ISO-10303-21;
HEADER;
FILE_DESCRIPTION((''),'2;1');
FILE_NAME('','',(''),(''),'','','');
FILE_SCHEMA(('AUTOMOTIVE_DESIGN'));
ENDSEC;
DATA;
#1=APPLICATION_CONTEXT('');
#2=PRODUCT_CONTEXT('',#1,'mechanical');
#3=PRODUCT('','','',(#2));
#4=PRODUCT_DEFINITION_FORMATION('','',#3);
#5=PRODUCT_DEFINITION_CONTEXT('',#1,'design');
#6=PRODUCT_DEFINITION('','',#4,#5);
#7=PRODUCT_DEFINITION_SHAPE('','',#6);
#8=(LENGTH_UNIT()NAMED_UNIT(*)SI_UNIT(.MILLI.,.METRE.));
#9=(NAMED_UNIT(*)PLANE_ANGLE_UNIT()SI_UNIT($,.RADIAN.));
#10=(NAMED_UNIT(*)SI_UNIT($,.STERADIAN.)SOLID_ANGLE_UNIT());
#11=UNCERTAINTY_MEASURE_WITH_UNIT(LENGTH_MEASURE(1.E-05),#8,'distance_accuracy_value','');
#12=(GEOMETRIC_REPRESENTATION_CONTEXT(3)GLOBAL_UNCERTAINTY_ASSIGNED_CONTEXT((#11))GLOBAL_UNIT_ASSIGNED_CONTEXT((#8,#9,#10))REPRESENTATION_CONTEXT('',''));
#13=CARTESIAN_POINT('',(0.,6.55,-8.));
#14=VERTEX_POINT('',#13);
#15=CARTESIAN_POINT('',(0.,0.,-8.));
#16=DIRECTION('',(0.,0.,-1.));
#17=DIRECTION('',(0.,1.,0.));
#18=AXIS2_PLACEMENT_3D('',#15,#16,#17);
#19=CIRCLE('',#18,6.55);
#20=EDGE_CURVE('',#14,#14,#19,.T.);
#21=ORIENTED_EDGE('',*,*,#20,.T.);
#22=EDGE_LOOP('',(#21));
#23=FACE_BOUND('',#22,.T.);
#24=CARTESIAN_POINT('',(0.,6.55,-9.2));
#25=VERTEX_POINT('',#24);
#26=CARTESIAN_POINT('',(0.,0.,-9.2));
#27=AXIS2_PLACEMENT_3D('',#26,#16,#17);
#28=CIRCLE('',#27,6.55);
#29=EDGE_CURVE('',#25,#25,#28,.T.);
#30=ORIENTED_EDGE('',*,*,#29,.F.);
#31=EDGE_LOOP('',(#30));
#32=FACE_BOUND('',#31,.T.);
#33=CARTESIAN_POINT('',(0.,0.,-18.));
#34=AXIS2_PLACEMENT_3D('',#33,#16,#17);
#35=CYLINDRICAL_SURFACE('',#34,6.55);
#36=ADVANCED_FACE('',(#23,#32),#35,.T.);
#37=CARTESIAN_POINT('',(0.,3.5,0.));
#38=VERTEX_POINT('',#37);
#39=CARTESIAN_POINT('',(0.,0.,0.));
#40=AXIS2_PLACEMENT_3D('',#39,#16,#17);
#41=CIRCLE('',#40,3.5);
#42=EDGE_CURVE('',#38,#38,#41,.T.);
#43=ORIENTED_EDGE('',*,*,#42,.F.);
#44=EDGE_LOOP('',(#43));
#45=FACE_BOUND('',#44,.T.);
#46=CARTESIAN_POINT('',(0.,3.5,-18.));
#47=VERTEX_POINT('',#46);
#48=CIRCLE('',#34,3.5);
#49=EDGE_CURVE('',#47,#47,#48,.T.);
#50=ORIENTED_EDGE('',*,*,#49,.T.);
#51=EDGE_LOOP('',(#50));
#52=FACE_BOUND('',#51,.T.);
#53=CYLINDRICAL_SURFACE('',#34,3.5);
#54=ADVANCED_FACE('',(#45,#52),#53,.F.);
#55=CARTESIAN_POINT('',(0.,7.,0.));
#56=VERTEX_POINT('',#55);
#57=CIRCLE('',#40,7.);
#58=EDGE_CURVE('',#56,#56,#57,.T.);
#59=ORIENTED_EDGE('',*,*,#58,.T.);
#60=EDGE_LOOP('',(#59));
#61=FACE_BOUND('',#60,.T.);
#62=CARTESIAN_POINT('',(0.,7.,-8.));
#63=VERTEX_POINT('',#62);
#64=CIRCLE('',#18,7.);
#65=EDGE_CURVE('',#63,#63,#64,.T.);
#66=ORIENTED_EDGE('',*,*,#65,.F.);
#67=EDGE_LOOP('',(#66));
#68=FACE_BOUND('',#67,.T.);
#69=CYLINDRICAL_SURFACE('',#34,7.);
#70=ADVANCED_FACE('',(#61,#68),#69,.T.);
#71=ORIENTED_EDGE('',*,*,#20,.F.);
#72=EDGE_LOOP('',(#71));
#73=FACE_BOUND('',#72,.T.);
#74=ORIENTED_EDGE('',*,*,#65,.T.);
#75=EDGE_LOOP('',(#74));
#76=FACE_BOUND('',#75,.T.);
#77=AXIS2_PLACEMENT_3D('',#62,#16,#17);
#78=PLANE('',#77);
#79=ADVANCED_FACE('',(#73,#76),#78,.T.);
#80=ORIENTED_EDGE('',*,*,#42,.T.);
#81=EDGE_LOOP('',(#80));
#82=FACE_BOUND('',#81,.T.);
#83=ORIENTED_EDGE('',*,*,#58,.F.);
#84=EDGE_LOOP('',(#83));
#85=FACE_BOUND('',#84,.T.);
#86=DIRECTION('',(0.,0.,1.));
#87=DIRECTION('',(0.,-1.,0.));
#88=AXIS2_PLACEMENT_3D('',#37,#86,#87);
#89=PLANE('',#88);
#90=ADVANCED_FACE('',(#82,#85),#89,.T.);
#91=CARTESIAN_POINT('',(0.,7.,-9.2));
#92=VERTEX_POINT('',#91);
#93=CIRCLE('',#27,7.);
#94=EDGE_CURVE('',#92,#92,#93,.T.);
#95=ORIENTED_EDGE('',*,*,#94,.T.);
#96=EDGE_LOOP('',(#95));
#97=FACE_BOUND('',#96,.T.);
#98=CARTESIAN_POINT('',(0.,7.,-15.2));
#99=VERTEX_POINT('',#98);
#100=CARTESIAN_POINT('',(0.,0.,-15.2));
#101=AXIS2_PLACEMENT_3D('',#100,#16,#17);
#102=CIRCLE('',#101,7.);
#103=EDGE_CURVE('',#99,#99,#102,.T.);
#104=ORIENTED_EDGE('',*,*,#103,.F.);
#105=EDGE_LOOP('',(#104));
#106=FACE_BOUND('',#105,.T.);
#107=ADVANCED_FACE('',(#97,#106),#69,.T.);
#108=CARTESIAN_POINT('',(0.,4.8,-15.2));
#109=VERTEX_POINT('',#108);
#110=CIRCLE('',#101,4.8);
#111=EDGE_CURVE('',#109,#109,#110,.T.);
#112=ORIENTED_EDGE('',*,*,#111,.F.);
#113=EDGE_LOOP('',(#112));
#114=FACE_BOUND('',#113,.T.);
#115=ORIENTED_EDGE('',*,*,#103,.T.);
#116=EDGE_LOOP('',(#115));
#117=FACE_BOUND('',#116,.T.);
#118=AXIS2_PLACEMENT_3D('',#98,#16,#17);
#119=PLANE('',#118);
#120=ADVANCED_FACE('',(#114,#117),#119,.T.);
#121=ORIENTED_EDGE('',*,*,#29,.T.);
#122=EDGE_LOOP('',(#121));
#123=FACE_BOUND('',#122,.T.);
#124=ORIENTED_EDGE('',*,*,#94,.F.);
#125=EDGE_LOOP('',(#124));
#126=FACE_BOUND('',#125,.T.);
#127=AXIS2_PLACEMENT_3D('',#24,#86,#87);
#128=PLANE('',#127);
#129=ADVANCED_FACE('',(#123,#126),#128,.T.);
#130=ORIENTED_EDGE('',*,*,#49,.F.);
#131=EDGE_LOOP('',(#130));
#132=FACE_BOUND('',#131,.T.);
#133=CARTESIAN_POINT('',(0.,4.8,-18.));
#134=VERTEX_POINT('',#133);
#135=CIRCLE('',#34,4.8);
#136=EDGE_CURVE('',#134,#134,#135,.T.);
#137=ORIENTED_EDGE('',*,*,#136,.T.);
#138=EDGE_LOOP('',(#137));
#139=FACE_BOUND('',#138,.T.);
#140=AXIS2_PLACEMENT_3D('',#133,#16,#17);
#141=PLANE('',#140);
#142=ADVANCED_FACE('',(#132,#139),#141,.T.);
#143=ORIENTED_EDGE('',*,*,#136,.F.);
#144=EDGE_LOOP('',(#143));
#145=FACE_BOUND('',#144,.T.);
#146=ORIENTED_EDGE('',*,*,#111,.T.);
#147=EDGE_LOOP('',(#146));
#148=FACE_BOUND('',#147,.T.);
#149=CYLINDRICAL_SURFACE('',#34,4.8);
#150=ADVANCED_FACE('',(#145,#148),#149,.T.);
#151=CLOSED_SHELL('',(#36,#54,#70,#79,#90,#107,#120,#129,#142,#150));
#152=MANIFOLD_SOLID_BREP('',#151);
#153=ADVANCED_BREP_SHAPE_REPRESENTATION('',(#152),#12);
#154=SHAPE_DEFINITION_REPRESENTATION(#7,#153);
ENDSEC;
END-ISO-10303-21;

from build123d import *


with BuildPart() as part:
    # Sketch1 → Revolve1 (revolve)
    with BuildSketch(Plane(origin=(0, 0, 0), x_dir=(0, 0, -1), z_dir=(1, 0, 0))):
        Polygon((0, 7), (8, 7), (8, 6.55), (9.2, 6.55), (9.2, 7), (15.2, 7), (15.2, 4.8), (18, 4.8), (18, 3.5), (0, 3.5), align=None)
    revolve(axis=Axis((0, 0, -18), (0, 0, 1)))


solid = part.part
